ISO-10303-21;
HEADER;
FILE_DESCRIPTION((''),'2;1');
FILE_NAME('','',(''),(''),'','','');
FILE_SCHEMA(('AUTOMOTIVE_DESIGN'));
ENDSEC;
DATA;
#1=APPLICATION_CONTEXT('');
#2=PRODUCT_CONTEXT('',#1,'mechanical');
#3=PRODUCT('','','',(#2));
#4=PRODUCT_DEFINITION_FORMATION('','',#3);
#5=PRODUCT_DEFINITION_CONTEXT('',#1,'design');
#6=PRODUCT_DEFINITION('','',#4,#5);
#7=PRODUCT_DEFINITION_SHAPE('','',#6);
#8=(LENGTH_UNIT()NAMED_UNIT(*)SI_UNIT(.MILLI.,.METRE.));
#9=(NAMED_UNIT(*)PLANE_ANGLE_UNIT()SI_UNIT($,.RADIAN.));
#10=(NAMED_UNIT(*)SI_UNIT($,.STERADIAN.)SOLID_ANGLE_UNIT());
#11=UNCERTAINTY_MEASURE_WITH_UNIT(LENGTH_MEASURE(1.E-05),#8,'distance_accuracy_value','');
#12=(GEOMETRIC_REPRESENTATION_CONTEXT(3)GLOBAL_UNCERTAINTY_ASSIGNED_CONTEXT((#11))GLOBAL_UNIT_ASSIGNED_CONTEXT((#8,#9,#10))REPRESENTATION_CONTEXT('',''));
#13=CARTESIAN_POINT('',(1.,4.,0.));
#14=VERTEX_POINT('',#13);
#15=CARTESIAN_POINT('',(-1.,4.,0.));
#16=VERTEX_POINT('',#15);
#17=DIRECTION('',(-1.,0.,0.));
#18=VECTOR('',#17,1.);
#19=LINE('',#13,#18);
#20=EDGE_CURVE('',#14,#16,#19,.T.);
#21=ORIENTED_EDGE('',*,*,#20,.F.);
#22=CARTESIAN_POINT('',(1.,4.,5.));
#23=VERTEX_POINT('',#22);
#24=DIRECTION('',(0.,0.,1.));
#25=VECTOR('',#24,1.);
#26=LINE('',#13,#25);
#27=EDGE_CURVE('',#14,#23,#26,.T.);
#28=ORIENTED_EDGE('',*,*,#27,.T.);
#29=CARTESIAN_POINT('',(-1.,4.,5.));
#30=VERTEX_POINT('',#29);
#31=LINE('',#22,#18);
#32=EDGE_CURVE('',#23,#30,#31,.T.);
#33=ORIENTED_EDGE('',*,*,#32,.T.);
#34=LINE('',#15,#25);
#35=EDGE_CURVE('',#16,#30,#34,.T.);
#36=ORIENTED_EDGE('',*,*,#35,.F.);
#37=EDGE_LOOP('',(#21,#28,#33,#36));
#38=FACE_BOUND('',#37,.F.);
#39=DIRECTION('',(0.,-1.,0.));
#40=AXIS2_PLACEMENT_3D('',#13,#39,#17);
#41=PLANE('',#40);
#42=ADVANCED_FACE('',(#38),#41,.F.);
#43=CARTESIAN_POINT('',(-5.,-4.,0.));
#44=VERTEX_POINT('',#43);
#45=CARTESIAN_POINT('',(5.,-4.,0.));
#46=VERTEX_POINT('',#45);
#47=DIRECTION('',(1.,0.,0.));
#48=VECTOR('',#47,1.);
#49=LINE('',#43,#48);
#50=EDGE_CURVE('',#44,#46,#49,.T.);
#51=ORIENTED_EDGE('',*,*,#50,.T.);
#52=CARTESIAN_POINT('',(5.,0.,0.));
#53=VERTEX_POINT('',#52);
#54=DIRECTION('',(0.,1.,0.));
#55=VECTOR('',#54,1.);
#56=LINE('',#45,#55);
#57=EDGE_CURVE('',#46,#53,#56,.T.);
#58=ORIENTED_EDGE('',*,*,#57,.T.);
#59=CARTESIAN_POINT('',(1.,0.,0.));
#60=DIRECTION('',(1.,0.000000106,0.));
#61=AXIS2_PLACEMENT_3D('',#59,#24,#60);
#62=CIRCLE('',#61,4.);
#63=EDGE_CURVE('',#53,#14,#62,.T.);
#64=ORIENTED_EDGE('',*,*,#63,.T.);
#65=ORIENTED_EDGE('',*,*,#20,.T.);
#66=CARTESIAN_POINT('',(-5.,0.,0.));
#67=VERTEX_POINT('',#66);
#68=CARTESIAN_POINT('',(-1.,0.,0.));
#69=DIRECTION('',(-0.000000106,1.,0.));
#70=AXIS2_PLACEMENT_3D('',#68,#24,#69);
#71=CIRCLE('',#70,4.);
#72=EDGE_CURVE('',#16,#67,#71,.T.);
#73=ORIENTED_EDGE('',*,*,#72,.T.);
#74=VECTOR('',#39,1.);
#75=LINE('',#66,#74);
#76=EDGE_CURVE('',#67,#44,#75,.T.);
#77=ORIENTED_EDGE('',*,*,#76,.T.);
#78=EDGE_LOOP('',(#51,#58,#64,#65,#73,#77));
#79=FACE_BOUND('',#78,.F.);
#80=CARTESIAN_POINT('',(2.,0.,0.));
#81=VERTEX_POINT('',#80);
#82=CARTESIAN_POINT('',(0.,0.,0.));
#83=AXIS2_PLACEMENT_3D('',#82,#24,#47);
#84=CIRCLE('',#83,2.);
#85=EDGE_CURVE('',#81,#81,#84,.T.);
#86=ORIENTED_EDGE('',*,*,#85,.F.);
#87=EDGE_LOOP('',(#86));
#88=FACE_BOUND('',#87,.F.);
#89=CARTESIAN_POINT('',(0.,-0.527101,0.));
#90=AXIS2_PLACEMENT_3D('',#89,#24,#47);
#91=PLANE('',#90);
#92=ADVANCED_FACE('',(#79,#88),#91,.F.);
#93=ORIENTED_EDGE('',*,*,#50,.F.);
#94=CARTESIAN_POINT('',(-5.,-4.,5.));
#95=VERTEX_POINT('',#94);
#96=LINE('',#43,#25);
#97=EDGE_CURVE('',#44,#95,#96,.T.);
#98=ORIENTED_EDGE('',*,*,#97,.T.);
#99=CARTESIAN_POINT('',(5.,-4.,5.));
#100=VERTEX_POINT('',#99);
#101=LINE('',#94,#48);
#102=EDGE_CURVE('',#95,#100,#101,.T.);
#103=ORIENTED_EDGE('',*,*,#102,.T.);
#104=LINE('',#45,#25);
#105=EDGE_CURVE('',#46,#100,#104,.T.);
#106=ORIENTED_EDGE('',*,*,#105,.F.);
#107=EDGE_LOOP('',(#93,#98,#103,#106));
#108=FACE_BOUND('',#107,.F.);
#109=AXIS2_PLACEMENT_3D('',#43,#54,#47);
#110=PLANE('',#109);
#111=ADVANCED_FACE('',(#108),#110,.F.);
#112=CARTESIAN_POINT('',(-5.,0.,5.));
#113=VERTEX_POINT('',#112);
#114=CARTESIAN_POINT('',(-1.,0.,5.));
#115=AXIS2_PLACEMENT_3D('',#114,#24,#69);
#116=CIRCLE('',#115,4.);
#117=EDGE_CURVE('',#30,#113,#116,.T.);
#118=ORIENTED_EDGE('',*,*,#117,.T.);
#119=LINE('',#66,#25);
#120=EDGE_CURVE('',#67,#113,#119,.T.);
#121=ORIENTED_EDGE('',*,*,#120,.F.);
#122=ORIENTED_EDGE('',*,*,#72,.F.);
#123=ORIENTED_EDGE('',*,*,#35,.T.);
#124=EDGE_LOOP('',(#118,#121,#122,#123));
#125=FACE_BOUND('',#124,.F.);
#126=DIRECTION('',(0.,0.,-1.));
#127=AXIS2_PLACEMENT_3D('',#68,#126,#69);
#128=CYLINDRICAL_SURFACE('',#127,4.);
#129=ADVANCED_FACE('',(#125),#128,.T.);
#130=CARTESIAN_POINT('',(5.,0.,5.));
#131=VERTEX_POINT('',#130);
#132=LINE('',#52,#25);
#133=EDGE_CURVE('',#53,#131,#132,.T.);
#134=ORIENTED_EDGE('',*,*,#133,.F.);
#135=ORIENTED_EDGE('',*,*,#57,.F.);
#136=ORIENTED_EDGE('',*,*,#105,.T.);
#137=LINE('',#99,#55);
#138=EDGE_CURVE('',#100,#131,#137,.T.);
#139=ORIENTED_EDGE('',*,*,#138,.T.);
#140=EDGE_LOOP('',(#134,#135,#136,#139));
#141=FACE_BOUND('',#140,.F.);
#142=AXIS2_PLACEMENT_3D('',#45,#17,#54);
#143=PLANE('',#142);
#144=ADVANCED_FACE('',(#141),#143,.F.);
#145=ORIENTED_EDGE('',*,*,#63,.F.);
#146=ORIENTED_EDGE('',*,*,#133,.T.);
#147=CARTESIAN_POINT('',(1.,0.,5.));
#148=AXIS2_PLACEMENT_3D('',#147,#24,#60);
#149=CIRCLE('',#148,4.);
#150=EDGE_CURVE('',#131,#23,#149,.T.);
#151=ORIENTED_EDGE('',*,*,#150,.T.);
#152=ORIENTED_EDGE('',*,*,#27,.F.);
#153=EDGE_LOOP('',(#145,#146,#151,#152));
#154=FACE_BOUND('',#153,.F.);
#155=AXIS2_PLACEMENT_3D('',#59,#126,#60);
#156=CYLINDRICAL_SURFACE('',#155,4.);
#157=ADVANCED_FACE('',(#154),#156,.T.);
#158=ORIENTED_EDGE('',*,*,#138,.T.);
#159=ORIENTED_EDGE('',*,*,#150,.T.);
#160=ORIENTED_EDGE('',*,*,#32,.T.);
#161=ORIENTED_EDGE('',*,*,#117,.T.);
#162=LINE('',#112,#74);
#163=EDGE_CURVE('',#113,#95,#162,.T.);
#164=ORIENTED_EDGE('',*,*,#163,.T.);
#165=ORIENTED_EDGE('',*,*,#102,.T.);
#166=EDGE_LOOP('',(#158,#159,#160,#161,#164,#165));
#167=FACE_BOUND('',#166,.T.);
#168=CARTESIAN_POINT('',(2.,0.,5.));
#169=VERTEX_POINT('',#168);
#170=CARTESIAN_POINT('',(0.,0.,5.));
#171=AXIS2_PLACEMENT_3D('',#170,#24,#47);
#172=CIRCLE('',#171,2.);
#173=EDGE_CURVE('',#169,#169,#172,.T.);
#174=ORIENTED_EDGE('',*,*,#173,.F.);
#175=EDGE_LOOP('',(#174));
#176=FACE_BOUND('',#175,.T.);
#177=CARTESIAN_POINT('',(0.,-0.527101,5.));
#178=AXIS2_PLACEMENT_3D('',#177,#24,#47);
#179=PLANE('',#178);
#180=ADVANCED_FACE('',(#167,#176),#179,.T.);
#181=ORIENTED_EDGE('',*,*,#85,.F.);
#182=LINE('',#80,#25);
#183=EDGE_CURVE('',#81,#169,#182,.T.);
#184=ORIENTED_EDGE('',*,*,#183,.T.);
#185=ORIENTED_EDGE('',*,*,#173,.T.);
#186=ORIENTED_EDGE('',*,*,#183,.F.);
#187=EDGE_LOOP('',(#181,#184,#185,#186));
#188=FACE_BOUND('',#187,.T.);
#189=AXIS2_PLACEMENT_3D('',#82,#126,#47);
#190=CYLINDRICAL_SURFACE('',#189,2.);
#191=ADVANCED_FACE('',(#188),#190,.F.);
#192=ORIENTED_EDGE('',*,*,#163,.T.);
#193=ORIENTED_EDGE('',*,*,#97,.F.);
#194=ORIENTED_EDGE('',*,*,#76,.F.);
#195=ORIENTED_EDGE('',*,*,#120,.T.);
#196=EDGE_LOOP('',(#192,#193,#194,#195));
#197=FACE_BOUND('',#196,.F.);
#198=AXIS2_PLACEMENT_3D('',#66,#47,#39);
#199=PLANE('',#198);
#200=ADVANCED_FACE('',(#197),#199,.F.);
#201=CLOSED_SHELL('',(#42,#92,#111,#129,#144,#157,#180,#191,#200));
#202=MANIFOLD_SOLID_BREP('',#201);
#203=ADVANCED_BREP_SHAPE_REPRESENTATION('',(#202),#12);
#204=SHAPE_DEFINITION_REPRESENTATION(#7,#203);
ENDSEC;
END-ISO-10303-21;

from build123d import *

# Parameters (mm, degrees)
F0_R     = 2
F1_DEPTH = 5


with BuildPart() as f1:
    # F0 (on Top) → F1 (new body)
    with BuildSketch(Plane.XY):
        with BuildLine():
            Line((-5, -4), (5, -4))
            Line((5, -4), (5, 0))
            ThreePointArc((5, 0), (3.828427, 2.828427), (1, 4))
            Line((1, 4), (-1, 4))
            ThreePointArc((-1, 4), (-3.828427, 2.828427), (-5, 0))
            Line((-5, 0), (-5, -4))
        make_face()
        Circle(F0_R, mode=Mode.SUBTRACT)
    extrude(amount=F1_DEPTH)


solid = f1.part
